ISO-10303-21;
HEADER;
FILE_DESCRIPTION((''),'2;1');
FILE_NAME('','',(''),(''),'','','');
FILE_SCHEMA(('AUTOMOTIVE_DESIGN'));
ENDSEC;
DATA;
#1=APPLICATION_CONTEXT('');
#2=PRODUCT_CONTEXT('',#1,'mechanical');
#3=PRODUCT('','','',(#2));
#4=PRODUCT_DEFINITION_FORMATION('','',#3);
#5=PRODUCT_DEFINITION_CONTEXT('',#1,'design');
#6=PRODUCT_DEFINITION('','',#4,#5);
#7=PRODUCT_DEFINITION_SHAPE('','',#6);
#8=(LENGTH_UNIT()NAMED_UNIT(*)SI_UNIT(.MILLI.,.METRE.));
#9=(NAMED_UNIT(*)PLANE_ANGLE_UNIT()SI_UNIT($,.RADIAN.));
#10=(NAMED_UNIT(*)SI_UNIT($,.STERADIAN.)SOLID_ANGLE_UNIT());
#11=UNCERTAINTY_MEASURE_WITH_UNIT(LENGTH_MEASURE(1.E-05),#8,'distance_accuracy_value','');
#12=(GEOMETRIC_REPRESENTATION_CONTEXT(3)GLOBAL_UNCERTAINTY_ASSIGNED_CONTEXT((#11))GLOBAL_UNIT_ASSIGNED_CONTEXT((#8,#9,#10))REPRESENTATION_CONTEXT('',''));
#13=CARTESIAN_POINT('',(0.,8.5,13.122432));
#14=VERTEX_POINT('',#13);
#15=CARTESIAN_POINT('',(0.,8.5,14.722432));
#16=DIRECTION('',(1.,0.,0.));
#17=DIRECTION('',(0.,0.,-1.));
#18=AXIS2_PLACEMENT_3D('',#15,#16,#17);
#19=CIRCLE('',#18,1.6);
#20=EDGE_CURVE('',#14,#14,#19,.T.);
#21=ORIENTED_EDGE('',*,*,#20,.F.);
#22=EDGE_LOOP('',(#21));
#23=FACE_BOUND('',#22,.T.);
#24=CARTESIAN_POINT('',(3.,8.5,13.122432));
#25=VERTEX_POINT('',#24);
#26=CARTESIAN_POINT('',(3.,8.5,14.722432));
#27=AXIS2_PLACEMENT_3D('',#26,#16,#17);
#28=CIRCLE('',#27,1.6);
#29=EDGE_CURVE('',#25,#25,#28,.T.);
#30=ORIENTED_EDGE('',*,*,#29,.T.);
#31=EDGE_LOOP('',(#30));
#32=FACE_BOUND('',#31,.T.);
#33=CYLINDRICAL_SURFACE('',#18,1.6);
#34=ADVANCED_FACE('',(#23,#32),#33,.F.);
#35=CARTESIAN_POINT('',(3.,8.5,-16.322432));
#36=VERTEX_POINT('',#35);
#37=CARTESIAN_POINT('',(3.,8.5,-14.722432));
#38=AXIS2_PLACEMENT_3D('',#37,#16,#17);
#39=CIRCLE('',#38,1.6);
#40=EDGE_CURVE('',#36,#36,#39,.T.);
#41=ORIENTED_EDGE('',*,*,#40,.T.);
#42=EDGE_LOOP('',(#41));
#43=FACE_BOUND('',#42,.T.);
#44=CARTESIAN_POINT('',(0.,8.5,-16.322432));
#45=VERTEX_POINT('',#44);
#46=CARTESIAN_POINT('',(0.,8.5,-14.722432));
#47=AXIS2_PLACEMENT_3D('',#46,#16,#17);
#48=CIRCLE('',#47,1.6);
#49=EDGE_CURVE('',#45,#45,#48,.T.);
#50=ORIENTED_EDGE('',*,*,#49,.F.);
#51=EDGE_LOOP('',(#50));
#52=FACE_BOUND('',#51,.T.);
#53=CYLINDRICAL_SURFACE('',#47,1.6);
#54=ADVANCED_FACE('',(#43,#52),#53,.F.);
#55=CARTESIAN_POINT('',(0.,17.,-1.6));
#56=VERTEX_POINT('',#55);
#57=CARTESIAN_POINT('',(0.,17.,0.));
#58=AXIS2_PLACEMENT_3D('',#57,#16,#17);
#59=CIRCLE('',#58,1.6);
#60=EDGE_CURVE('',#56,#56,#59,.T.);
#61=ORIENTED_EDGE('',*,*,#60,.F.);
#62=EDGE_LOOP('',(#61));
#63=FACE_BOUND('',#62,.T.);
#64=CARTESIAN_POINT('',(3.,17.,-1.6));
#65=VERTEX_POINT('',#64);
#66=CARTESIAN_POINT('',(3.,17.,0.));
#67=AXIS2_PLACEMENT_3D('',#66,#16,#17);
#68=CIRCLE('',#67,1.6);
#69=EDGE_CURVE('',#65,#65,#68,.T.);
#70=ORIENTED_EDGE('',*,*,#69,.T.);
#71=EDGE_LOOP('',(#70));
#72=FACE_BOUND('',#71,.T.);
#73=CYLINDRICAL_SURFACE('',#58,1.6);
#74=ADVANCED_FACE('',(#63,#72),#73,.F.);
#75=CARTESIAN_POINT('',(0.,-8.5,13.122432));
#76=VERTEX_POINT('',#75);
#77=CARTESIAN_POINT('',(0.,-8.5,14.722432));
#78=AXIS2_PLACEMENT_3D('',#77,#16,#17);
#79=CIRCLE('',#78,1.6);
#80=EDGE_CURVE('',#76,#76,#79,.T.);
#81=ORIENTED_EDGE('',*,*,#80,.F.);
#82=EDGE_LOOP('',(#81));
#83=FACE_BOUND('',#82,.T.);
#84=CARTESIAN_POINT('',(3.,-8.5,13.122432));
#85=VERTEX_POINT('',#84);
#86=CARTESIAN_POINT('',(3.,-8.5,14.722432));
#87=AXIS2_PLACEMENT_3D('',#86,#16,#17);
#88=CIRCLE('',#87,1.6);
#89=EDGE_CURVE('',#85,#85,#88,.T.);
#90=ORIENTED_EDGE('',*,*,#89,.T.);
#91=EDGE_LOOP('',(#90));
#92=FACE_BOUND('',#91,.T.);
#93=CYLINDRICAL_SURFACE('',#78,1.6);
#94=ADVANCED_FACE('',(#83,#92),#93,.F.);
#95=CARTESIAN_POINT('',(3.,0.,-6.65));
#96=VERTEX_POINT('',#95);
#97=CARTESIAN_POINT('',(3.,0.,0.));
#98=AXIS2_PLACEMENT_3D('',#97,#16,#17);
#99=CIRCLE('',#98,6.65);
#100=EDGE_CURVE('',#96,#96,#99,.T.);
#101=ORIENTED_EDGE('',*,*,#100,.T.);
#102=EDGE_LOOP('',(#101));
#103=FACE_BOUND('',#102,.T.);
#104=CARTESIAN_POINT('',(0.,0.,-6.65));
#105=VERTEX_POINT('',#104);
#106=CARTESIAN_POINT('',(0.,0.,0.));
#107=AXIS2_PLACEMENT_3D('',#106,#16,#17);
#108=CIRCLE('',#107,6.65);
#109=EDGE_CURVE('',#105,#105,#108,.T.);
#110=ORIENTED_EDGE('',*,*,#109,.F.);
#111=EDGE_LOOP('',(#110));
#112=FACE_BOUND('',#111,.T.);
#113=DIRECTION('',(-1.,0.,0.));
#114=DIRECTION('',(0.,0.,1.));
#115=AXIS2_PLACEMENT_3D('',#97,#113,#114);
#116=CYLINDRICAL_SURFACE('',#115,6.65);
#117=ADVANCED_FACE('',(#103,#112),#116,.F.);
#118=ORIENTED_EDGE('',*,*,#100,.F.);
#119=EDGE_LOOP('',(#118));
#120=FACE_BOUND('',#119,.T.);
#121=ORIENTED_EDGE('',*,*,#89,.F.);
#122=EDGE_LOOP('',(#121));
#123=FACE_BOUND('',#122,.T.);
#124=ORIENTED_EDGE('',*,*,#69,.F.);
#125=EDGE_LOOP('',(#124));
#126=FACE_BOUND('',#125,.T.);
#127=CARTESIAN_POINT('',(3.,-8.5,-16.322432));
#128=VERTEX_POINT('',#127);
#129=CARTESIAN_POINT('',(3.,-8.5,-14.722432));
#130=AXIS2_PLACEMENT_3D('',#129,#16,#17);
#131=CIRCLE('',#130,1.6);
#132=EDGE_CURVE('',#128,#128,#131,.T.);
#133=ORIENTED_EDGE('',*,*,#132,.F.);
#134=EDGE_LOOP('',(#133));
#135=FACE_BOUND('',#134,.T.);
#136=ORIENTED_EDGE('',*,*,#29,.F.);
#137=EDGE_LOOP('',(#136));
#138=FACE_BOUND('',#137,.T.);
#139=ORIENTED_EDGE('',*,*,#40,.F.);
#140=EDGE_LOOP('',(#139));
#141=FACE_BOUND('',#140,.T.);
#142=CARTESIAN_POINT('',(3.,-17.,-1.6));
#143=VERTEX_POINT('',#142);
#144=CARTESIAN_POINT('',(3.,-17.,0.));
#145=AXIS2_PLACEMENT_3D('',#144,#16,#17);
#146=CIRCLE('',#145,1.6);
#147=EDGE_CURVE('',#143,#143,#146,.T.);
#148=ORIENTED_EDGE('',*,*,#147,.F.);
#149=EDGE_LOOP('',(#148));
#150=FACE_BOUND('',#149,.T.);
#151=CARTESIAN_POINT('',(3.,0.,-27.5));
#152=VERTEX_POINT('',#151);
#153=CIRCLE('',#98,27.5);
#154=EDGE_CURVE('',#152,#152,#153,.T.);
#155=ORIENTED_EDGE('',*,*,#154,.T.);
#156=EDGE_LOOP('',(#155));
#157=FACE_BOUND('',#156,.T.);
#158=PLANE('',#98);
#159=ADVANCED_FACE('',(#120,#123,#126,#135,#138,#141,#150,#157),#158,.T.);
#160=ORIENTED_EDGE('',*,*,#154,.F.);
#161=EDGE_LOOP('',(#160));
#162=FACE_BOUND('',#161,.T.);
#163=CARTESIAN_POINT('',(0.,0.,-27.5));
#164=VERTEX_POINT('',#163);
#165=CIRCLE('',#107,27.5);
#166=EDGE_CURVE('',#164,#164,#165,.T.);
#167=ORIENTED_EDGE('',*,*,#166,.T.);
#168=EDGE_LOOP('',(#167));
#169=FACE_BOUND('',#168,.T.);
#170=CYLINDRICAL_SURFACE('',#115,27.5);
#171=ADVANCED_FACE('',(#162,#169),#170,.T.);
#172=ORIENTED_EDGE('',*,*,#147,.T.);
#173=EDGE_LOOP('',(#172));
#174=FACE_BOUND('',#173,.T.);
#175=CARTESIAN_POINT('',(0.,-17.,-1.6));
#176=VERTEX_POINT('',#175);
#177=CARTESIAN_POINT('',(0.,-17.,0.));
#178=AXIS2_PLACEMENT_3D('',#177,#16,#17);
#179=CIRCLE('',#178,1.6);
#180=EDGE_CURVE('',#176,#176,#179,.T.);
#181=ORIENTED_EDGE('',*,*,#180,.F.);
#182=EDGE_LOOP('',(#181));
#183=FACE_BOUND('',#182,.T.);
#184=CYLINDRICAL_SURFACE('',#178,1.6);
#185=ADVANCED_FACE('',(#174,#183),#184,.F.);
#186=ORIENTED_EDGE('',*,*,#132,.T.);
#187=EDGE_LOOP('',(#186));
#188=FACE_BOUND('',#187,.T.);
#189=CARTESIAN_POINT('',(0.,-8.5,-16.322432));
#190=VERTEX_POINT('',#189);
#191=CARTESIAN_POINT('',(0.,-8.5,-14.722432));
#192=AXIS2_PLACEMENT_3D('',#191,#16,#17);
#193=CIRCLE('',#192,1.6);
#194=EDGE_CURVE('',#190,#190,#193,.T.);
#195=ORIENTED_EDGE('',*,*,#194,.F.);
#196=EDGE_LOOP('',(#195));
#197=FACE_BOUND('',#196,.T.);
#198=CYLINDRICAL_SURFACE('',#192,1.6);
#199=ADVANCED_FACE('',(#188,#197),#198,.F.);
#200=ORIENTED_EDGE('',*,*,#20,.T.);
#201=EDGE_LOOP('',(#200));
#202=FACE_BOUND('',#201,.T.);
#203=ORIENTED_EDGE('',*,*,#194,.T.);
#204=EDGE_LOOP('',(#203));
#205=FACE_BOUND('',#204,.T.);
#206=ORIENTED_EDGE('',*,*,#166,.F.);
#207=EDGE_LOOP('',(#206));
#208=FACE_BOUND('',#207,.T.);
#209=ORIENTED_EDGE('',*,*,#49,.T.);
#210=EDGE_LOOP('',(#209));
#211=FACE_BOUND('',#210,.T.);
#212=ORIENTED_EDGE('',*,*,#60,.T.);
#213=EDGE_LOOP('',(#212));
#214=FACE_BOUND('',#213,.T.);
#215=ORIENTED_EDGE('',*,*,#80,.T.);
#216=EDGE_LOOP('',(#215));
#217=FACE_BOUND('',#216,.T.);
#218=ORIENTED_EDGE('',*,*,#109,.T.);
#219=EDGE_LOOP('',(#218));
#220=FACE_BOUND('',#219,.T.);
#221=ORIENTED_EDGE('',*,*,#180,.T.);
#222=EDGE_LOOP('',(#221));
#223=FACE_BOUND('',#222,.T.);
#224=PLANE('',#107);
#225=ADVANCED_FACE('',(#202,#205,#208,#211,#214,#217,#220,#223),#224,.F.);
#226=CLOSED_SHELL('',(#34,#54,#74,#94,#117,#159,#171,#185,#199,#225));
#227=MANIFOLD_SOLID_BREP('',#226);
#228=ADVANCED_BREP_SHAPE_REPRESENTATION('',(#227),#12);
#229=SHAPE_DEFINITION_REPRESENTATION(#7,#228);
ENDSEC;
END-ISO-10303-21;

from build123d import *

# Parameters (mm, degrees)
SKETCH1_R           = 27.5
SKETCH1_R_2         = 6.65
BOSS_EXTRUDE1_DEPTH = 3
SKETCH3_R           = 1.6
CUT_EXTRUDE1_DEPTH  = 4


with BuildPart() as part:
    # Sketch1 → Boss-Extrude1 (new body)
    with BuildSketch(Plane(origin=(0, 0, 0), x_dir=(0, 0, -1), z_dir=(1, 0, 0))):
        Circle(SKETCH1_R)
        Circle(SKETCH1_R_2, mode=Mode.SUBTRACT)
    extrude(amount=BOSS_EXTRUDE1_DEPTH)

    # Sketch3 → Cut-Extrude1 (cut, through all)
    with BuildSketch(Plane(origin=(3, 0, 0), x_dir=(0, 0, -1), z_dir=(1, 0, 0))):
        with Locations((0, 17)):
            Circle(SKETCH3_R)
        with Locations((14.722431864, 8.5)):
            Circle(SKETCH3_R)
        with Locations((14.722431864, -8.5)):
            Circle(SKETCH3_R)
        with Locations((0, -17)):
            Circle(SKETCH3_R)
        with Locations((-14.722431864, -8.5)):
            Circle(SKETCH3_R)
        with Locations((-14.722431864, 8.5)):
            Circle(SKETCH3_R)
    extrude(amount=-CUT_EXTRUDE1_DEPTH, mode=Mode.SUBTRACT)


solid = part.part
